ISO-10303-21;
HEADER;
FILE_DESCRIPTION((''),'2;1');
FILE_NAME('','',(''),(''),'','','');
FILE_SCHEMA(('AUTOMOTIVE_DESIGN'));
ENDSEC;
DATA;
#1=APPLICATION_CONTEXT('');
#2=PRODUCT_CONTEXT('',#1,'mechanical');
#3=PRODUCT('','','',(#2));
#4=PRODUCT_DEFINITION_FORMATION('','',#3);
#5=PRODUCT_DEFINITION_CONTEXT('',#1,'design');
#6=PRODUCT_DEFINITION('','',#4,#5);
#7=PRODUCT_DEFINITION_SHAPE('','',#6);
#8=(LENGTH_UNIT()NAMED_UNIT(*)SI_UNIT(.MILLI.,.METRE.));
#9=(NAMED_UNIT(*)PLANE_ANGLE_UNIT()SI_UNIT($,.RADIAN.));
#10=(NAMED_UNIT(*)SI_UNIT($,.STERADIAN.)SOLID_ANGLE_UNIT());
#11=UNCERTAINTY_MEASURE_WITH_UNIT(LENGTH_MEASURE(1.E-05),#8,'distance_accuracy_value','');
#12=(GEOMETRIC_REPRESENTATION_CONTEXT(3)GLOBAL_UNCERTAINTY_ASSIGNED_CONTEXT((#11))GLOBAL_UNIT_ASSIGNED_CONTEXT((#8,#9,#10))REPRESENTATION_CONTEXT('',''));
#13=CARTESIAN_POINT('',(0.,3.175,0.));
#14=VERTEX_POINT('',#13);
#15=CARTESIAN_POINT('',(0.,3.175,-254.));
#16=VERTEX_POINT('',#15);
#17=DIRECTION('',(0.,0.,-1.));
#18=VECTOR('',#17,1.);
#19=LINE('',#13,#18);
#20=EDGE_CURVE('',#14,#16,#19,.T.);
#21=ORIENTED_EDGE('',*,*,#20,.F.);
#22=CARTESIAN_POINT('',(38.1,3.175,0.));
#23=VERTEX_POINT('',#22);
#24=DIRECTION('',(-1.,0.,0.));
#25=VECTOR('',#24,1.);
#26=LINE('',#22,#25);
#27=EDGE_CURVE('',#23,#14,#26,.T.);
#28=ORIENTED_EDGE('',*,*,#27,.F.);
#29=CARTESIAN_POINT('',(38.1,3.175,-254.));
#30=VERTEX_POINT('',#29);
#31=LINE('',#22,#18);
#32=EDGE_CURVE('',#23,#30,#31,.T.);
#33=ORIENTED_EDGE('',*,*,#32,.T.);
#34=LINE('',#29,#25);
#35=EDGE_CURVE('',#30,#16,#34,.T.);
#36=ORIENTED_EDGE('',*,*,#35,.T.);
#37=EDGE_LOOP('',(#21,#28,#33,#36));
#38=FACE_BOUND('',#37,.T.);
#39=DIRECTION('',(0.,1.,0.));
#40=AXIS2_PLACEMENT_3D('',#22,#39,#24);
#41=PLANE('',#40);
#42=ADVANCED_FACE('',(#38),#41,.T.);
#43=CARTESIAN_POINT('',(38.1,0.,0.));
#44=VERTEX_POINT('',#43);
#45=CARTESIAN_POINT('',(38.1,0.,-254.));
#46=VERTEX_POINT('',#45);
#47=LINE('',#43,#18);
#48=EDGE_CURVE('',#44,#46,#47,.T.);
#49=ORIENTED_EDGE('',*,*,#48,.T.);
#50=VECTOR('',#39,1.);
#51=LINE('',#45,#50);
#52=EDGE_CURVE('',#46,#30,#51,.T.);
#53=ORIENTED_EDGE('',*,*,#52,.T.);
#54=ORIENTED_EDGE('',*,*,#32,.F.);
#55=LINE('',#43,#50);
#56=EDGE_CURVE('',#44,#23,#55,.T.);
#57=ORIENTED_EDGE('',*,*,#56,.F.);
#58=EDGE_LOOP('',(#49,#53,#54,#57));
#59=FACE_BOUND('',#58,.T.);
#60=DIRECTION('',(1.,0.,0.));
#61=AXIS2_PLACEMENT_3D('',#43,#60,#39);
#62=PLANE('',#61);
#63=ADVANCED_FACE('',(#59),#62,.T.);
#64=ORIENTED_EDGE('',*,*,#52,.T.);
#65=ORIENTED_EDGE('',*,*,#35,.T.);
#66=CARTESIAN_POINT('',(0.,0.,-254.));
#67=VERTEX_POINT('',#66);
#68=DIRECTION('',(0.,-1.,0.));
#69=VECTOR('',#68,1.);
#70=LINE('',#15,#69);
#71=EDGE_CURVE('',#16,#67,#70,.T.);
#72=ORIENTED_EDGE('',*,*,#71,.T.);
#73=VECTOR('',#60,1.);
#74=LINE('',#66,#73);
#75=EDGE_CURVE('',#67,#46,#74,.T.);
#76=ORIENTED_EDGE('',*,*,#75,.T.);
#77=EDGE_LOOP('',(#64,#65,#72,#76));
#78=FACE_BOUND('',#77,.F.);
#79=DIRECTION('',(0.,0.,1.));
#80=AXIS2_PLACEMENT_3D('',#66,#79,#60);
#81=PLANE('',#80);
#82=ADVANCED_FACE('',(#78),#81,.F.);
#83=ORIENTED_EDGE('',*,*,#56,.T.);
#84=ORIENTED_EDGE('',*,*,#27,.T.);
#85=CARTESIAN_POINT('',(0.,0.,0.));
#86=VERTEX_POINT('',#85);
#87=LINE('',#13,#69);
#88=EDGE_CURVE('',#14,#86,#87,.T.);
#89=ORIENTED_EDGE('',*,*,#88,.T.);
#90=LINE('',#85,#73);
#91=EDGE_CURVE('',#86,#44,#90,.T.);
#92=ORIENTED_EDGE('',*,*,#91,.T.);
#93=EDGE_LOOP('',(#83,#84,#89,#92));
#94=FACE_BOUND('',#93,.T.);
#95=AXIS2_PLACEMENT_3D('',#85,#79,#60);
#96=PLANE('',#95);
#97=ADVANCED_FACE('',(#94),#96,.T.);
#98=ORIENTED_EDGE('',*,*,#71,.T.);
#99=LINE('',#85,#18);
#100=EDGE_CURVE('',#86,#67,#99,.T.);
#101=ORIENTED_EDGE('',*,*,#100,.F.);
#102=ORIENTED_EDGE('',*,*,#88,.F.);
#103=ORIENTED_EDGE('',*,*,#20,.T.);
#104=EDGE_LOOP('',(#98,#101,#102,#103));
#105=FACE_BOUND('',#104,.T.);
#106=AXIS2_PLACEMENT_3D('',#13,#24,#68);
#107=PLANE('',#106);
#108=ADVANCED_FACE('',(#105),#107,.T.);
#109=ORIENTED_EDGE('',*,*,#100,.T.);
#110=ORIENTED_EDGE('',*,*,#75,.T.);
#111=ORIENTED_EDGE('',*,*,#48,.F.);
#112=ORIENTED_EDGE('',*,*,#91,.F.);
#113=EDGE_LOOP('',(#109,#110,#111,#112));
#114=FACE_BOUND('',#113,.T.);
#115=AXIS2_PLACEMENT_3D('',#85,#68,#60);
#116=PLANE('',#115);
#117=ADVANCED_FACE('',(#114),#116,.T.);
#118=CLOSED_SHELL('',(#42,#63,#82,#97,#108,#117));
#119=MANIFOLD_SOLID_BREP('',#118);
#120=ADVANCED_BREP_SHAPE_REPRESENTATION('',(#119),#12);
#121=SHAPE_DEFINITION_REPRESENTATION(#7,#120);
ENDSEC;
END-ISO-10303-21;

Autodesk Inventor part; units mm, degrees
ref_plane "YZ Plane" through (0, 0, 0) normal (1, 0, 0) x (0, 1, 0)
ref_plane "XZ Plane" through (0, 0, 0) normal (0, 1, 0) x (-1, 0, 0)
ref_plane "XY Plane" through (0, 0, 0) normal (0, 0, 1) x (1, 0, 0)
sketch "Sketch1" plane through (0, 0, 0) normal (0, 0, 1) x (1, 0, 0)
  line L0 (0, 0) -> (38.1, 0)
  line L1 (38.1, 0) -> (38.1, 3.175)
  line L2 (38.1, 3.175) -> (0, 3.175)
  line L3 (0, 3.175) -> (0, 0)
  dimension "d0" = 38.1
  dimension "d1" = 3.175
extrude "Extrusion1" add sketch "Sketch1" against normal blind 254
properties part number "cross bar"
